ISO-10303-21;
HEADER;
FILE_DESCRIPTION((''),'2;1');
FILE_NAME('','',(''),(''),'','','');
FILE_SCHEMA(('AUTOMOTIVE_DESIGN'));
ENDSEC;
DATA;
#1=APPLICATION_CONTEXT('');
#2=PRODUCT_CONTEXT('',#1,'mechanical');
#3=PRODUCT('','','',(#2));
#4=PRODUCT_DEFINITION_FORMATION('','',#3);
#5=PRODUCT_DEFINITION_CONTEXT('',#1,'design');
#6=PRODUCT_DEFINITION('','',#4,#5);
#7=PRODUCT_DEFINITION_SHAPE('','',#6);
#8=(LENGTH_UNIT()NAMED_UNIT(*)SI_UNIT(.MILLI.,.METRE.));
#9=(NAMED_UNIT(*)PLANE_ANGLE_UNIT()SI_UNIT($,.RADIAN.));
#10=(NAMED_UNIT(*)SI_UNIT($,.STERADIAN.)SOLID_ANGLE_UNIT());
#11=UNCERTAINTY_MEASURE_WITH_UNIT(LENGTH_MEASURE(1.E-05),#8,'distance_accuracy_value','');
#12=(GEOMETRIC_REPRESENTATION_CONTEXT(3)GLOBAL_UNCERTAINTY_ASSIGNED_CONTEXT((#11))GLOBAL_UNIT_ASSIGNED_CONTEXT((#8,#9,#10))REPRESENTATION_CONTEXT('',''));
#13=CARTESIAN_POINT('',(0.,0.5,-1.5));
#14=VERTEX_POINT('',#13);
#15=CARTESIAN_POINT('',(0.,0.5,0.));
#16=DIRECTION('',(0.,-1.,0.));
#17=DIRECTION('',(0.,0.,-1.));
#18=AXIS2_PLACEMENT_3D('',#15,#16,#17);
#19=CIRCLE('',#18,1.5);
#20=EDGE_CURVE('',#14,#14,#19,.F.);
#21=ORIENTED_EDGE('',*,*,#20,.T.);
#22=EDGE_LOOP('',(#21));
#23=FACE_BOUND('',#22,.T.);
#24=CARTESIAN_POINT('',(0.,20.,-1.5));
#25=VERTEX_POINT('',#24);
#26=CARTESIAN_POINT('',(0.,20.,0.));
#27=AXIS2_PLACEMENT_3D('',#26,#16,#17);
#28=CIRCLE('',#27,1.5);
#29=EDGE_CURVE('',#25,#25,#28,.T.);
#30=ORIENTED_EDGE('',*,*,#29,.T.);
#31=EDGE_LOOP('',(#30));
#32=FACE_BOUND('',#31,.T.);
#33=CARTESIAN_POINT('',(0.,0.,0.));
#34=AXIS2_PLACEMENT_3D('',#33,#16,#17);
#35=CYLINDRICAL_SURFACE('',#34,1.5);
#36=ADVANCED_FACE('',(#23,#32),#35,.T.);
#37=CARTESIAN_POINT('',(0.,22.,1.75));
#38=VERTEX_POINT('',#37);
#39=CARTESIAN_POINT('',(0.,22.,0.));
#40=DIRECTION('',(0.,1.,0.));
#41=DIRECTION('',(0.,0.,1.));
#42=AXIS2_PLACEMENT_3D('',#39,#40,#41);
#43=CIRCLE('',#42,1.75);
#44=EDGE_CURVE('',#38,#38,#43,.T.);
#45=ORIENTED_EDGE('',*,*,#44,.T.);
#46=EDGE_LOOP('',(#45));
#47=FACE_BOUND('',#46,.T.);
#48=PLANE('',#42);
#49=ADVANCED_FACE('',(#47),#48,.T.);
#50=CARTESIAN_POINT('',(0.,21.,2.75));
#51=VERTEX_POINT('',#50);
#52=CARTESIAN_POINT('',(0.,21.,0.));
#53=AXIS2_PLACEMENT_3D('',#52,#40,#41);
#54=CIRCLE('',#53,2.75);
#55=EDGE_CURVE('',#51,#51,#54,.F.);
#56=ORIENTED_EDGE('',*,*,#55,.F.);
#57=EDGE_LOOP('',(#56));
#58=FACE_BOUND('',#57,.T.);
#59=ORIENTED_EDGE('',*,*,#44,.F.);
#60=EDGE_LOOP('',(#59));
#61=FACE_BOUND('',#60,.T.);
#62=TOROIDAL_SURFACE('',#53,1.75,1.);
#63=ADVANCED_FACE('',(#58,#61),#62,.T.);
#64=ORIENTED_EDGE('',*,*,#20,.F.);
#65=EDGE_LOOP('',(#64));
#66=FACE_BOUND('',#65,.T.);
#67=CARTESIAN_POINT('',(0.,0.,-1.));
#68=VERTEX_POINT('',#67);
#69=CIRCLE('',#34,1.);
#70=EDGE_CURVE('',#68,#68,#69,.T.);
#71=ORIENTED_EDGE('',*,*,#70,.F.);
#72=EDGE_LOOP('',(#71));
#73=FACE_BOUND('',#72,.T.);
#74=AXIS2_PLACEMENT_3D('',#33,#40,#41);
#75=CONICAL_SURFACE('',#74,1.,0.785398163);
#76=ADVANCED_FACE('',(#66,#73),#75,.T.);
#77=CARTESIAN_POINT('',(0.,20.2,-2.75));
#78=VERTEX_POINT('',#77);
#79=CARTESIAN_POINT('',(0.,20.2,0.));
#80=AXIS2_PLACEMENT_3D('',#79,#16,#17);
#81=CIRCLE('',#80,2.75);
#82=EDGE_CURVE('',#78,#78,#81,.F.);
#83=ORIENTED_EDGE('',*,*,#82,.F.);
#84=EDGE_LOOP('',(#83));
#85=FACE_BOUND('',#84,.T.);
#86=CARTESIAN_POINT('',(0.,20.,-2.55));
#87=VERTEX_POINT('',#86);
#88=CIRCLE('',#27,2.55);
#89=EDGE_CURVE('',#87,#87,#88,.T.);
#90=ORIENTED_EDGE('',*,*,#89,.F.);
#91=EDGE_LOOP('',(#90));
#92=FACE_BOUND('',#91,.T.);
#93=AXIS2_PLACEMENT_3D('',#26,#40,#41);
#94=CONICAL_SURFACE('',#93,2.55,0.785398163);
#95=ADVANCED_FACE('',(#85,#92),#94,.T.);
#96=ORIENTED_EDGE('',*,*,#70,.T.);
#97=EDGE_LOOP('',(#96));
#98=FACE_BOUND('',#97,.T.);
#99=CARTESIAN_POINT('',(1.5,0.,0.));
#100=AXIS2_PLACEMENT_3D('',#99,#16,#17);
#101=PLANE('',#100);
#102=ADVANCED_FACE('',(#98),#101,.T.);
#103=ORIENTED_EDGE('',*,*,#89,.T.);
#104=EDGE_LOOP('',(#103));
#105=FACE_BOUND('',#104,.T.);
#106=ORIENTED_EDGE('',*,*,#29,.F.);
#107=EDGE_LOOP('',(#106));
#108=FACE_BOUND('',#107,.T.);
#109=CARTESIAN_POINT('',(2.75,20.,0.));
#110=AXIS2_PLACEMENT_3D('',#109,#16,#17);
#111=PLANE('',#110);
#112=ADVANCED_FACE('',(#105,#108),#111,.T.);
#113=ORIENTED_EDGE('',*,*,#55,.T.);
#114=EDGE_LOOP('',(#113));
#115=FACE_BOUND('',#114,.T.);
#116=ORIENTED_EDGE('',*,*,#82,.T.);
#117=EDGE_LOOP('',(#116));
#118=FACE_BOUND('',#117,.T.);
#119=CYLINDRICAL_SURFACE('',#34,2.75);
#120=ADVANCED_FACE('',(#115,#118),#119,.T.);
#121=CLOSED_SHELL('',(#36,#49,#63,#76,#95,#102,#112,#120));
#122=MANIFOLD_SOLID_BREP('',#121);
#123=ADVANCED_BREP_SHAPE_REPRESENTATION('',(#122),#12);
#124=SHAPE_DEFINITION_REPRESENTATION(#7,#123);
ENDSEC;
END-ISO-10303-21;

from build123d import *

# Parameters (mm, degrees)
FILLET1_R     = 1
CHAMFER1_SIZE = 0.5
CHAMFER2_SIZE = 0.2


with BuildPart() as part:
    # Sketch1 → Revolve1 (revolve)
    with BuildSketch(Plane.XY, mode=Mode.PRIVATE) as revolve1_sk:
        Polygon((0, 0), (0, 22), (2.75, 22), (2.75, 20), (1.5, 20), (1.5, 0), align=None)
    revolve(revolve1_sk.sketch.rotate(Axis((0, 0, 0), (0, 1, 0)), 90), axis=Axis((0, 0, 0), (0, 1, 0)))

    # Fillet1
    fillet1_edges = [part.edges().sort_by_distance(p)[0] for p in [
        (0, 22, 2.75),
    ]]
    fillet(fillet1_edges, radius=FILLET1_R)

    # Chamfer1
    chamfer1_edges = [part.edges().sort_by_distance(p)[0] for p in [
        (0, 0, 1.5),
    ]]
    chamfer(chamfer1_edges, length=CHAMFER1_SIZE)

    # Chamfer2
    chamfer2_edges = [part.edges().sort_by_distance(p)[0] for p in [
        (0, 20, 2.75),
    ]]
    chamfer(chamfer2_edges, length=CHAMFER2_SIZE)


solid = part.part
